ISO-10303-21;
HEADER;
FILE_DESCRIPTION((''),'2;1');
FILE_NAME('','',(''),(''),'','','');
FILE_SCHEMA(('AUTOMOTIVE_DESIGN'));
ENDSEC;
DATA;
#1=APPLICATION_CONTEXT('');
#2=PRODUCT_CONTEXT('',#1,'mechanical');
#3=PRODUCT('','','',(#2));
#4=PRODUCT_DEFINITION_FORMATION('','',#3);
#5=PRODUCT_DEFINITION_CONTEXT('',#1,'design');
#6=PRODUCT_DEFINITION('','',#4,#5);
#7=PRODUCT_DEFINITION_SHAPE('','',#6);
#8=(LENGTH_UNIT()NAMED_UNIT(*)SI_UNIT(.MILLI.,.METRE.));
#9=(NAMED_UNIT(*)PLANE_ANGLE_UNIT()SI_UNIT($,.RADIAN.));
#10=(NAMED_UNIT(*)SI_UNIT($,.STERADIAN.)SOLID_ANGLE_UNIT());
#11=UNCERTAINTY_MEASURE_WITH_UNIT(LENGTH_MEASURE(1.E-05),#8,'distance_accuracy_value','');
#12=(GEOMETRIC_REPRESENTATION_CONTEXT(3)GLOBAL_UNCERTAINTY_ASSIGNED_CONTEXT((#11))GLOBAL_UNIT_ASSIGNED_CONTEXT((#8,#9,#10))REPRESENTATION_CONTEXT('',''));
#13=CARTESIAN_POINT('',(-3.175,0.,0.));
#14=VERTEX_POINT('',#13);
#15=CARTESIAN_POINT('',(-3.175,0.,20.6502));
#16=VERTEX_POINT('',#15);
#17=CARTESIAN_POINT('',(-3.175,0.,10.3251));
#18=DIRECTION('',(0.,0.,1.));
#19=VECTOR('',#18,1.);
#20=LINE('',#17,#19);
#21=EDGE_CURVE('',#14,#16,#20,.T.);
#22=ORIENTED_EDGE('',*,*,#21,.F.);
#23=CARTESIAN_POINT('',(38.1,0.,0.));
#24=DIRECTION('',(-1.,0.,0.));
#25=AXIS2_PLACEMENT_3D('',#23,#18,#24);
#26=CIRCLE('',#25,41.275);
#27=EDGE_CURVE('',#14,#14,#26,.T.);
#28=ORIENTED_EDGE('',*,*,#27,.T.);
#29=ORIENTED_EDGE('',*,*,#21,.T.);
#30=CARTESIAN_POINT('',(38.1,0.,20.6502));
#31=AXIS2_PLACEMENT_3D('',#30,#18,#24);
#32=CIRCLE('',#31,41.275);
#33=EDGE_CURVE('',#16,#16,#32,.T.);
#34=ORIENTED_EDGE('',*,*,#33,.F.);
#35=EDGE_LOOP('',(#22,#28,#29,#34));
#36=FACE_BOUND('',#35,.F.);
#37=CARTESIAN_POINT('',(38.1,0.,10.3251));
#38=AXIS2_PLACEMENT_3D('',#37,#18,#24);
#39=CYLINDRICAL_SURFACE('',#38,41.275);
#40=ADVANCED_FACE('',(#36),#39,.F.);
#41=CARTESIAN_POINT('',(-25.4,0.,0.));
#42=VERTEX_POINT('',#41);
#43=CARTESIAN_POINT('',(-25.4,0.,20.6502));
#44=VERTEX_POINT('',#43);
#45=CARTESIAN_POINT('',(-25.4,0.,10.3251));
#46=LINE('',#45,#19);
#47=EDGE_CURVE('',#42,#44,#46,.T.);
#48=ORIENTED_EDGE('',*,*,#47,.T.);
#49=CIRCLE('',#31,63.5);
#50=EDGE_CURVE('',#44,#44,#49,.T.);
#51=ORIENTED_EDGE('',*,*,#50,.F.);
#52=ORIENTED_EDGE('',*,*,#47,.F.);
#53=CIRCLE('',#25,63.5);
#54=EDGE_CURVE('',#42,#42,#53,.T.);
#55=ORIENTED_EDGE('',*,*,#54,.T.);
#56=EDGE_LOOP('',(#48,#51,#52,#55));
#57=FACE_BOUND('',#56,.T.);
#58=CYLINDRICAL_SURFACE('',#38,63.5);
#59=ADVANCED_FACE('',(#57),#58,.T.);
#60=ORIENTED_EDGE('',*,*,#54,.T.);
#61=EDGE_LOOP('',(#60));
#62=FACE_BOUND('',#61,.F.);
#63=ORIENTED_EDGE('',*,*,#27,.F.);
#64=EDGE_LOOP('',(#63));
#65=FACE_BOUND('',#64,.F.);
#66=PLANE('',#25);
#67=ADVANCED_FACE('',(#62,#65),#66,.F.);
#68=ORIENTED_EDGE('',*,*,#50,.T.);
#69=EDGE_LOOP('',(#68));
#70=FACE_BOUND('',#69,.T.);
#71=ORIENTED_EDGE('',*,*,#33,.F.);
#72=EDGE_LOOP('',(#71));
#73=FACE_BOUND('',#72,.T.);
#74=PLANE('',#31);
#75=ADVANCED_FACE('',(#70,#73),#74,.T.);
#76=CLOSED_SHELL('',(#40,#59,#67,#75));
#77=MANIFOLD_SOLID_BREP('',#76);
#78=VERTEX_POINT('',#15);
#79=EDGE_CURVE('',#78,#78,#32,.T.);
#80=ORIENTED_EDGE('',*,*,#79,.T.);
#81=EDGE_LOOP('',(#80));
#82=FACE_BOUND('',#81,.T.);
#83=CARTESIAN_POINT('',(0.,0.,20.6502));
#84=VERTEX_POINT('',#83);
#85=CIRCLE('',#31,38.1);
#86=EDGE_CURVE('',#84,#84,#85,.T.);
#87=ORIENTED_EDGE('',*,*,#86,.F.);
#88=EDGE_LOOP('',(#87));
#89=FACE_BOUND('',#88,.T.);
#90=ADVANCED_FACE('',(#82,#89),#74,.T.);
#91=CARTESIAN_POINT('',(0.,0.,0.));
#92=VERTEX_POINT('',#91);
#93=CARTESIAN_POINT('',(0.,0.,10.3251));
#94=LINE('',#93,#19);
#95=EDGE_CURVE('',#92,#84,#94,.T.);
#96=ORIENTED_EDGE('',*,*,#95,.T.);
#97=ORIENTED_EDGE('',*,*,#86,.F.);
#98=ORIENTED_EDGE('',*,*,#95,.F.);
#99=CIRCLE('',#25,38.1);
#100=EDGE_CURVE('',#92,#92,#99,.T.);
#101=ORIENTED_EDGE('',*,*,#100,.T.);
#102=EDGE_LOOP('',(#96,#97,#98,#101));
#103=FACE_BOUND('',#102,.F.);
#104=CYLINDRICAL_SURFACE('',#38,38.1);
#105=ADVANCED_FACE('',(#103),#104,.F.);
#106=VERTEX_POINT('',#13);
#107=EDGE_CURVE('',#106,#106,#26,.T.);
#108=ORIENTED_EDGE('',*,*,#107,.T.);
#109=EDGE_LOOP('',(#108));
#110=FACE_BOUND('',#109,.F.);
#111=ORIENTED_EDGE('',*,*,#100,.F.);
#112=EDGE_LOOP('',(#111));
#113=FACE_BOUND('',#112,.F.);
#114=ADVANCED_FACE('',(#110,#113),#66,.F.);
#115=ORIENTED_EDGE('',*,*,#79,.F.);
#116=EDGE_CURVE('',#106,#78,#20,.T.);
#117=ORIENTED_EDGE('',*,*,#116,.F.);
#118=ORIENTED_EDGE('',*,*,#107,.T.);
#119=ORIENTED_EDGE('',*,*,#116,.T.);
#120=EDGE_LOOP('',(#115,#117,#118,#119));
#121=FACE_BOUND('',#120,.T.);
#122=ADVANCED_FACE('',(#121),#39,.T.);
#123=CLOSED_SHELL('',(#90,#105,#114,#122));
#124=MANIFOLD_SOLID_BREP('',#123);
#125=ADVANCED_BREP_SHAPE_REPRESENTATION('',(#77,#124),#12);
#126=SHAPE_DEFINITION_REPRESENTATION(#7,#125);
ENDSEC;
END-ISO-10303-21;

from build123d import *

# Parameters (mm, degrees)
F0_W = 3.175
F0_H = 20.6502
F2_W = 22.225
F2_H = 20.6502


with BuildPart() as f1:
    # F0 (on Front) → F1 (revolve)
    with BuildSketch(Plane.XZ):
        with Locations((-1.5875, 10.3251)):
            Rectangle(F0_W, F0_H)
    revolve(axis=Axis((38.1, 0, 11.878085), (0, 0, 1)))


with BuildPart() as f3:
    # F2 (on Front) → F3 (revolve)
    with BuildSketch(Plane.XZ):
        with Locations((-14.2875, 10.3251)):
            Rectangle(F2_W, F2_H)
    revolve(axis=Axis((38.1, 0, 9.348829), (0, 0, 1)))


solid = Compound([f1.part, f3.part])
